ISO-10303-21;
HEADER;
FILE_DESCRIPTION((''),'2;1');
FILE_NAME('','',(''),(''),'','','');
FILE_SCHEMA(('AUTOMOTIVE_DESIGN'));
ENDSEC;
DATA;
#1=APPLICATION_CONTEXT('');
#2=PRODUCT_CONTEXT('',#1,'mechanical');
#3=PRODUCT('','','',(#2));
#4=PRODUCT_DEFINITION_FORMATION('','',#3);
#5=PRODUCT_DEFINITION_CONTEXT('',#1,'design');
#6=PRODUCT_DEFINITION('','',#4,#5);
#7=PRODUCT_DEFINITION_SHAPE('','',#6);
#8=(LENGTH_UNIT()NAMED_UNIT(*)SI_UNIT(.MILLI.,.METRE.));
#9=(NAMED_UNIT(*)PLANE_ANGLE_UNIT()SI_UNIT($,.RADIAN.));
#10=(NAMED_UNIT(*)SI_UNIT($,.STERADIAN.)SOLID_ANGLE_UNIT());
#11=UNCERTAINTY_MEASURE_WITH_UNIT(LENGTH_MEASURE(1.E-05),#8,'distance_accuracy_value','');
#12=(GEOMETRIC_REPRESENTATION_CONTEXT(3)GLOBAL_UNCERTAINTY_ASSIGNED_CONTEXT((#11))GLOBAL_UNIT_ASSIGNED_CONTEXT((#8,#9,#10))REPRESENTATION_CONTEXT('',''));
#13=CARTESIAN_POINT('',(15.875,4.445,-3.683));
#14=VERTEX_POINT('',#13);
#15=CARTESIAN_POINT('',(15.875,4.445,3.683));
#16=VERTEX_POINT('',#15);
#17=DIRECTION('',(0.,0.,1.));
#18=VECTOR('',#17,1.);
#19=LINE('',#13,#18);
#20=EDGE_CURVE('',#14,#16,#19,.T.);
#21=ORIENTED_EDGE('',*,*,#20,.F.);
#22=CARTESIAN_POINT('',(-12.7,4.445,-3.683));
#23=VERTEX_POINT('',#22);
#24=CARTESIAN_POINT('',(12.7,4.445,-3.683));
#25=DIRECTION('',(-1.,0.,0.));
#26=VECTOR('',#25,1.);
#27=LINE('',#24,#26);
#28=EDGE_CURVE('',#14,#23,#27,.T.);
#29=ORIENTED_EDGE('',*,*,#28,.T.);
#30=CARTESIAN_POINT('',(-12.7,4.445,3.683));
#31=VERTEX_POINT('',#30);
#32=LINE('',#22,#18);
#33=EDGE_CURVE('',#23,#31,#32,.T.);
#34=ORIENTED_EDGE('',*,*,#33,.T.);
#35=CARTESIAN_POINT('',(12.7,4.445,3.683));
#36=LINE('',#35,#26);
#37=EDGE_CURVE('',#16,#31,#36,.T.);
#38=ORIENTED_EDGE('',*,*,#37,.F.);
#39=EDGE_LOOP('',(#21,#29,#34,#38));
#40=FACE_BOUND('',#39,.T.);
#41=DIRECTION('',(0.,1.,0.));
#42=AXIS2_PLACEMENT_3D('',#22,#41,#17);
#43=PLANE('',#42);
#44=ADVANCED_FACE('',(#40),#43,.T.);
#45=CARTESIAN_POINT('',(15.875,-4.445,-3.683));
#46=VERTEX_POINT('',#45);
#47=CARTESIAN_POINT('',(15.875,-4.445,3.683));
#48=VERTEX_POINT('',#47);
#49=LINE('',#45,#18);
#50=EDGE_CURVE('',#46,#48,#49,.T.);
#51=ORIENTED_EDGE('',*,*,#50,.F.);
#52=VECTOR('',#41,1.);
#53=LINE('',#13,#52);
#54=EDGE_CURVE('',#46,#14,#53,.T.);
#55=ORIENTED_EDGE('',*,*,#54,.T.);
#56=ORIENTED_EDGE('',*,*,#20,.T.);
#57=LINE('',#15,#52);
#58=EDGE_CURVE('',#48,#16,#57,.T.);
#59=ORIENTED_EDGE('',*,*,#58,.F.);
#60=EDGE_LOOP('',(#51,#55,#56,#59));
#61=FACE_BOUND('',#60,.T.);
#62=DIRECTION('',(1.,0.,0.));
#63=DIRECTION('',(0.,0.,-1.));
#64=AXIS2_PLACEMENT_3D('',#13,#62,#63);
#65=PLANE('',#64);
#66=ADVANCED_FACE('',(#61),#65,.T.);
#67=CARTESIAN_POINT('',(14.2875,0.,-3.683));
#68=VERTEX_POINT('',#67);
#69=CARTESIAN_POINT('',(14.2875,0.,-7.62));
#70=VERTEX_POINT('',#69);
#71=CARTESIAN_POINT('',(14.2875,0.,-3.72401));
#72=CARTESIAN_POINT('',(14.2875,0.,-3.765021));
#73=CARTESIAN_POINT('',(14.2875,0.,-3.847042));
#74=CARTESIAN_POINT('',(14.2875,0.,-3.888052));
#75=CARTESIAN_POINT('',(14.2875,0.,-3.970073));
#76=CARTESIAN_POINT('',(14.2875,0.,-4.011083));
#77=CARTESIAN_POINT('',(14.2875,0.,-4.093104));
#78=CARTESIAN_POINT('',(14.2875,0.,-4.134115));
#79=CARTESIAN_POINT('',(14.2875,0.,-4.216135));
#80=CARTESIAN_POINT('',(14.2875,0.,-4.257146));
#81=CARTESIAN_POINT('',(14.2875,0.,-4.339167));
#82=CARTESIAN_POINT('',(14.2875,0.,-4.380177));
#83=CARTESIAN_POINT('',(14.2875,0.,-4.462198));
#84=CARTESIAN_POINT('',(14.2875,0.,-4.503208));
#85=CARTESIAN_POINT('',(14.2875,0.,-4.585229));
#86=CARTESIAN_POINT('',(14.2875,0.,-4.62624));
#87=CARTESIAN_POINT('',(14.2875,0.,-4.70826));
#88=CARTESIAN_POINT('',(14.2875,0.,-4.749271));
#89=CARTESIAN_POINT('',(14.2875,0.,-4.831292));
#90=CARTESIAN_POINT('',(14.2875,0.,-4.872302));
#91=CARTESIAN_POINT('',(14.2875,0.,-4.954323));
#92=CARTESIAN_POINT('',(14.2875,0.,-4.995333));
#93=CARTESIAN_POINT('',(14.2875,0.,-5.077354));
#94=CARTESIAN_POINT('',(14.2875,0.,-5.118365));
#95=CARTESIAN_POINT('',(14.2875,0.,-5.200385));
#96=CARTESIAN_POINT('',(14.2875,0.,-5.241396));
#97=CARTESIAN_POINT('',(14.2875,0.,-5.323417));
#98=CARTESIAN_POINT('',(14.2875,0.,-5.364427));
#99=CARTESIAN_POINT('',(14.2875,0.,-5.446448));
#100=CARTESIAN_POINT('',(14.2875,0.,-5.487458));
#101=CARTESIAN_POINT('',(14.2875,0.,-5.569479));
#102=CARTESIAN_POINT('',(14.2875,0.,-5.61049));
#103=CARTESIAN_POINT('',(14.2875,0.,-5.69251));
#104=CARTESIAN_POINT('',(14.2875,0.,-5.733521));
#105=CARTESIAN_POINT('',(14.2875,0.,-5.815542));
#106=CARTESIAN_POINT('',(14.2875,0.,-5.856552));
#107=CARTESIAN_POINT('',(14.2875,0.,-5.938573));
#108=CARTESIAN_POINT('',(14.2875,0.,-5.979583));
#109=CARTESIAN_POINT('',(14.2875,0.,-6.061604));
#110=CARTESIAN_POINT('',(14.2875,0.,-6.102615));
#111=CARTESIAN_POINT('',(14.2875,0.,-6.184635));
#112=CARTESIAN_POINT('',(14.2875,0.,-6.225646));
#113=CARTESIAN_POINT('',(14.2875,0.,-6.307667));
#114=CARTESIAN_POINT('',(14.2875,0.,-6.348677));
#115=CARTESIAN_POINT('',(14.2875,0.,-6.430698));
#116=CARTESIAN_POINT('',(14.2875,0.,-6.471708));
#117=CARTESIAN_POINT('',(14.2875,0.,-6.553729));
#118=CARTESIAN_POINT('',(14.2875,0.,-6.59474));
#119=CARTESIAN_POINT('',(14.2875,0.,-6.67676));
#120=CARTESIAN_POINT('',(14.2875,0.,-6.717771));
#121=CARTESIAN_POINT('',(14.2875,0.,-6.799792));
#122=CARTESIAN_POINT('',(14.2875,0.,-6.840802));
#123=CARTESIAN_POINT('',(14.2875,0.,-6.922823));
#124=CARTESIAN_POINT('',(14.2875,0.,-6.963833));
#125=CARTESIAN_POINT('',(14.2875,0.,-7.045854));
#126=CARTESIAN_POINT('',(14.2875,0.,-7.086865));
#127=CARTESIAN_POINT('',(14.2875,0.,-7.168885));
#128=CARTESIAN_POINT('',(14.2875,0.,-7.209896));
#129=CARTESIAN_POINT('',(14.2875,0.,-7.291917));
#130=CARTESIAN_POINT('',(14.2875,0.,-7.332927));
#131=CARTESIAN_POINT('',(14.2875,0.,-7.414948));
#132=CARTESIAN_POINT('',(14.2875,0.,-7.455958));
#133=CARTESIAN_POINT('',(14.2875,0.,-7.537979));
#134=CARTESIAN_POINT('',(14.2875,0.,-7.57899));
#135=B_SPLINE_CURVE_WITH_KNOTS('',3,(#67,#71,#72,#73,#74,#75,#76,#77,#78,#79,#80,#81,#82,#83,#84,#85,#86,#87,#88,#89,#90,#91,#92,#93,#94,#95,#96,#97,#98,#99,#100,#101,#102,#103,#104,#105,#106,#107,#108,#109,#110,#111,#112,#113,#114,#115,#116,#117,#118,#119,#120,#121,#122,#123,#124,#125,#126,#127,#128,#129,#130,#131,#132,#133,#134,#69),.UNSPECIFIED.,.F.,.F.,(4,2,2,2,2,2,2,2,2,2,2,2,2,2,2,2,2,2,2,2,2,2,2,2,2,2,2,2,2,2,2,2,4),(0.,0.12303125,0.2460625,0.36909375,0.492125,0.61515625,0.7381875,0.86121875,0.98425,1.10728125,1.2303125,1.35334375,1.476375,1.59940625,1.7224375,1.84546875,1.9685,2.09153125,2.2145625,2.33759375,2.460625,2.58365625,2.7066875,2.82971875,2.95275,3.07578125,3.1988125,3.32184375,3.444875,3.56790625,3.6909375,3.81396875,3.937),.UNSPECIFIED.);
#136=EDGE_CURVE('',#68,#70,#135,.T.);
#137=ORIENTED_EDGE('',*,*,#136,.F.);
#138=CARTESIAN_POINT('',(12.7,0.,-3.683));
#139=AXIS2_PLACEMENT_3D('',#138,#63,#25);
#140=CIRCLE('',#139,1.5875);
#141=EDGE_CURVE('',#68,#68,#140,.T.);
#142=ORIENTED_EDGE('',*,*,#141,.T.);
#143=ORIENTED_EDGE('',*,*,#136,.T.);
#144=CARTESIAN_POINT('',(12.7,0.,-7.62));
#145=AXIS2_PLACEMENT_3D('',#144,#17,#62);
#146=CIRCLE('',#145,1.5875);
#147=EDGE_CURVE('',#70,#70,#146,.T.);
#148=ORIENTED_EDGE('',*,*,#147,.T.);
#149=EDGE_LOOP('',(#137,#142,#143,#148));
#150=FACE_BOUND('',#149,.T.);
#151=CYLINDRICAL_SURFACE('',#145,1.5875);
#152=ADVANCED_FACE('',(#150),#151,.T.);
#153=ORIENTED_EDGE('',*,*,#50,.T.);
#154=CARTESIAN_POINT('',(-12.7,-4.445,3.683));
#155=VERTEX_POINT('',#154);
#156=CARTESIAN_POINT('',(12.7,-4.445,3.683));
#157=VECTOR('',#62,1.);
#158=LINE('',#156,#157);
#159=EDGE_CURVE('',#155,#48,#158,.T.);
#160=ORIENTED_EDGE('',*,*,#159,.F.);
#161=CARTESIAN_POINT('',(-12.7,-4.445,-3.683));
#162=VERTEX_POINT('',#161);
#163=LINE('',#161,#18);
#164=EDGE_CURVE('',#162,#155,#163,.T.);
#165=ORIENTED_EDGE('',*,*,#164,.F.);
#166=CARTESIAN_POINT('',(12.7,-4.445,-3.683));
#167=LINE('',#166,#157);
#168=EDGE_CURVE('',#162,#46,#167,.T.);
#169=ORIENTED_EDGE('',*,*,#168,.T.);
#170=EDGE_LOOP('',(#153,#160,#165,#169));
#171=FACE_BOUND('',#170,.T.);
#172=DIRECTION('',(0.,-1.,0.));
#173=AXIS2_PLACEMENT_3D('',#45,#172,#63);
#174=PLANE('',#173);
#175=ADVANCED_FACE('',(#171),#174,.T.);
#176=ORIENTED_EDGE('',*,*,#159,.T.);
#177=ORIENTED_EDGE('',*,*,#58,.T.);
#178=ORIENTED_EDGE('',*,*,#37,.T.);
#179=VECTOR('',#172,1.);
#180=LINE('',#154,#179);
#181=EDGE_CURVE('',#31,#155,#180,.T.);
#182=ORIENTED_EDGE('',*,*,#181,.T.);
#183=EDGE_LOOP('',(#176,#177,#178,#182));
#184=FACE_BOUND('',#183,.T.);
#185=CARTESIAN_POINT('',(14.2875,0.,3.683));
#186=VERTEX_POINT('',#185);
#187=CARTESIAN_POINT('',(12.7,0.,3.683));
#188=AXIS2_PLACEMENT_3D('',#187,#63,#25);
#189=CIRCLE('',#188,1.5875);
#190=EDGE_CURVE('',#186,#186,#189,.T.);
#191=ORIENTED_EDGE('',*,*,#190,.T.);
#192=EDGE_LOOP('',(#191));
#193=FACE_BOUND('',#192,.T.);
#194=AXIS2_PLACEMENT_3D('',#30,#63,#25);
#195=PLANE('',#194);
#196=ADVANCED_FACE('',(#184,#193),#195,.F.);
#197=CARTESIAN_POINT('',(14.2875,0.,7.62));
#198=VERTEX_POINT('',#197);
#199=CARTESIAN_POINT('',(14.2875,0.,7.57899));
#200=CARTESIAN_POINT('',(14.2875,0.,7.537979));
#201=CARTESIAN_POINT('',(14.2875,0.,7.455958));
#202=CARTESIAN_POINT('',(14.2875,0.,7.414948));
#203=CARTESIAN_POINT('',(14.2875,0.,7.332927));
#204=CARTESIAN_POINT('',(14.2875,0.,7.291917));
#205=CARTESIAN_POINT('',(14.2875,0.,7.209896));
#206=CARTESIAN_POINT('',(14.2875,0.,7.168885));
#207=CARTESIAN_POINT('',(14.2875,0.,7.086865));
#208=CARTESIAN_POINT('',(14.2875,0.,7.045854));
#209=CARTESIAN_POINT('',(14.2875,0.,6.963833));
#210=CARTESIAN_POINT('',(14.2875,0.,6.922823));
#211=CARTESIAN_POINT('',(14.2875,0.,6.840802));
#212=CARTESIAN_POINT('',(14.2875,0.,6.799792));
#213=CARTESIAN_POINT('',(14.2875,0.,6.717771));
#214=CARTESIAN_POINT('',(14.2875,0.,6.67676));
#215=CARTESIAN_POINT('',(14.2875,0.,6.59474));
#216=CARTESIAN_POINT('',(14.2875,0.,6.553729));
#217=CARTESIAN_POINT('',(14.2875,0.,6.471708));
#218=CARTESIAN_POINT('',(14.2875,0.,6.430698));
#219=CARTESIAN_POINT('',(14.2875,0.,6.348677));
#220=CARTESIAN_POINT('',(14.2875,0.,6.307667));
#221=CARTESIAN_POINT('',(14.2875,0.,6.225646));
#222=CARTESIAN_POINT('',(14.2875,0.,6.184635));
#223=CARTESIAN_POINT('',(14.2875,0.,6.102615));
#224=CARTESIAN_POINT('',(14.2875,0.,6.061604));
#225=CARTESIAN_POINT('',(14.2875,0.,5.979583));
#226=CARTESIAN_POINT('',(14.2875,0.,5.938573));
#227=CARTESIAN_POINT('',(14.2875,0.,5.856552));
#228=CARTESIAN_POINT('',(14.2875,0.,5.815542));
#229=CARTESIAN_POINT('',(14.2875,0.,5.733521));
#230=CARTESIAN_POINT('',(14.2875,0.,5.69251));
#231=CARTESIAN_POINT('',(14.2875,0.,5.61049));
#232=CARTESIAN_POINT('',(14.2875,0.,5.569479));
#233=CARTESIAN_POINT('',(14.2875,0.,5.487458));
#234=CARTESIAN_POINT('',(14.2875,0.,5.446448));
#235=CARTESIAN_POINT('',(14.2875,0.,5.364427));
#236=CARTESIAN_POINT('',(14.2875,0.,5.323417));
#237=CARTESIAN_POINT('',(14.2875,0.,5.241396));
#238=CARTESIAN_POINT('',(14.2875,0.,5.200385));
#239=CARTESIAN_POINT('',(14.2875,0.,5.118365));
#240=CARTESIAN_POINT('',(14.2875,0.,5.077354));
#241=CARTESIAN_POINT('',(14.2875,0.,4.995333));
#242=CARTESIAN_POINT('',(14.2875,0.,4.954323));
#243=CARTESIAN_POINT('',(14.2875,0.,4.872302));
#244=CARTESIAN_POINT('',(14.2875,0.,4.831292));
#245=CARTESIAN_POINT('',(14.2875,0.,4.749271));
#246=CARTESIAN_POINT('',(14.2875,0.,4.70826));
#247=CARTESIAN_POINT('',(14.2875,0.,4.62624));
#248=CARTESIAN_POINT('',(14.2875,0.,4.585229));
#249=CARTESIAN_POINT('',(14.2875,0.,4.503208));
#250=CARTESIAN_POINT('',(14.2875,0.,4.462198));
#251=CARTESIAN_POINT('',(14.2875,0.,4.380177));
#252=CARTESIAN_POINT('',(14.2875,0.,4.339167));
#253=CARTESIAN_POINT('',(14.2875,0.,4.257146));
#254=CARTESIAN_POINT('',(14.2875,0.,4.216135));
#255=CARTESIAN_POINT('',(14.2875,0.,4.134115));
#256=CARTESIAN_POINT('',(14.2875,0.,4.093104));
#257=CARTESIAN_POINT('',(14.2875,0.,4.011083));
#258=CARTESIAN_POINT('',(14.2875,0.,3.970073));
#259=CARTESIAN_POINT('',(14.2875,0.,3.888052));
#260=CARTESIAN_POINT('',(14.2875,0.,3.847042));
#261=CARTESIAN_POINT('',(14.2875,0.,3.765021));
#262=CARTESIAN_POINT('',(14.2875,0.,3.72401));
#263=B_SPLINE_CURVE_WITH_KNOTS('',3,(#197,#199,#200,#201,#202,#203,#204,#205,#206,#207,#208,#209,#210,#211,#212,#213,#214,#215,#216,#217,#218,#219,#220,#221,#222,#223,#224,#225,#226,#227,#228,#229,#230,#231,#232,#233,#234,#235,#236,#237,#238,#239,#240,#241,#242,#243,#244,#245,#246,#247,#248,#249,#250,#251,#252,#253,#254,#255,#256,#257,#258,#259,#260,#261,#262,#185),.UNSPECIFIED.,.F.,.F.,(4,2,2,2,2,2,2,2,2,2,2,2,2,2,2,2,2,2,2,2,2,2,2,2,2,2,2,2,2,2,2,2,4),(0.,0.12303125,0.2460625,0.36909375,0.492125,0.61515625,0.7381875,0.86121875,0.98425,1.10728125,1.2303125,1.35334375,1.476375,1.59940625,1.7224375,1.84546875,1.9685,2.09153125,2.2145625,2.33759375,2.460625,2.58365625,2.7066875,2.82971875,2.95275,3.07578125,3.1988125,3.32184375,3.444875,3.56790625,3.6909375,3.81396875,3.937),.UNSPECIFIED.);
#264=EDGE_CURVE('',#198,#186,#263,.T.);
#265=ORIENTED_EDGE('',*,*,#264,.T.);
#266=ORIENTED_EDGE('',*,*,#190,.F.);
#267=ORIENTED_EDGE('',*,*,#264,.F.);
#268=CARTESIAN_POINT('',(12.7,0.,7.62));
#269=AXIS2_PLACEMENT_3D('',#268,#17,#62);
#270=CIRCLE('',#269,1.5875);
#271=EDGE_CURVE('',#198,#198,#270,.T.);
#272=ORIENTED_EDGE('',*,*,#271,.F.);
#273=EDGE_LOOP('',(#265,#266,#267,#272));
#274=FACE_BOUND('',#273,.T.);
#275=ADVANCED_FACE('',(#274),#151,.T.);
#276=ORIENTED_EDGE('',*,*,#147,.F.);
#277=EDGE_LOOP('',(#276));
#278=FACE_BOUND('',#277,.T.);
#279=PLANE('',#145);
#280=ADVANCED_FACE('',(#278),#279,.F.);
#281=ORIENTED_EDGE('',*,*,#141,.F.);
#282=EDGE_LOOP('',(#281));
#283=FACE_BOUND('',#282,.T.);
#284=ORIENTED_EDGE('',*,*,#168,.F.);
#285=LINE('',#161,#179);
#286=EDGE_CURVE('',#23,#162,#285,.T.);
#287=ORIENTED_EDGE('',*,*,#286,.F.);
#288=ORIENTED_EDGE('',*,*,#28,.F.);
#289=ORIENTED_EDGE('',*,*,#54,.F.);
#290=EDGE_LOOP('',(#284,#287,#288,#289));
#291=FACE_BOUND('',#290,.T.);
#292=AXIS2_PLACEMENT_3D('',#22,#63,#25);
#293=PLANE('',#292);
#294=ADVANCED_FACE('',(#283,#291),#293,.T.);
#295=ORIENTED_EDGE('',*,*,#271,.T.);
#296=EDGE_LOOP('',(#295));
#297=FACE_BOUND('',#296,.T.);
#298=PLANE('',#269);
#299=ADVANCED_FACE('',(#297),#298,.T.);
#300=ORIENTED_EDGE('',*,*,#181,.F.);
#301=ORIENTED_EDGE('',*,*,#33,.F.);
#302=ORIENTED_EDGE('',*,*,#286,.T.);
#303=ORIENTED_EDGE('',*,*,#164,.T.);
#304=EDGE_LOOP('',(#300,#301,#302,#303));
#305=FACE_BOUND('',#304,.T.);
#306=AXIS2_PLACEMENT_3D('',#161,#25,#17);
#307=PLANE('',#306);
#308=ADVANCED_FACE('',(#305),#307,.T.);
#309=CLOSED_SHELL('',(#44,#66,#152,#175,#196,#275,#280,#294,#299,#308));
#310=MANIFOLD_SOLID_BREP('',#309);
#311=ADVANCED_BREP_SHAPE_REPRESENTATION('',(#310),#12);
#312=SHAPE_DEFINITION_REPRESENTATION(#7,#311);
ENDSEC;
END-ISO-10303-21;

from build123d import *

# Parameters (mm, degrees)
EXTRUDE1_DEPTH           = 3.683
EXTRUDE1_DEPTH_BACK      = 3.683
BOSS_EXTRUDE1_DEPTH      = 7.62
BOSS_EXTRUDE1_DEPTH_BACK = 7.62
SKETCH4_R                = 1.5875


with BuildPart() as part:
    # Sketch1 → Extrude1 (new, two sides: drawn at the far end of the back side and taken through both)
    with BuildSketch(Plane.XY.offset(-EXTRUDE1_DEPTH_BACK)):
        Polygon((-12.7, 4.445), (12.7, 4.445), (15.875, 4.445), (15.875, -4.445), (12.7, -4.445), (-12.7, -4.445), align=None)
    extrude(amount=EXTRUDE1_DEPTH + EXTRUDE1_DEPTH_BACK)

    # Sketch4 → Boss-Extrude1 (add, two sides: drawn at the far end of the back side and taken through both)
    with BuildSketch(Plane.XY.offset(-BOSS_EXTRUDE1_DEPTH_BACK)):
        with Locations((12.7, 0)):
            Circle(SKETCH4_R)
    extrude(amount=BOSS_EXTRUDE1_DEPTH + BOSS_EXTRUDE1_DEPTH_BACK)


solid = part.part
